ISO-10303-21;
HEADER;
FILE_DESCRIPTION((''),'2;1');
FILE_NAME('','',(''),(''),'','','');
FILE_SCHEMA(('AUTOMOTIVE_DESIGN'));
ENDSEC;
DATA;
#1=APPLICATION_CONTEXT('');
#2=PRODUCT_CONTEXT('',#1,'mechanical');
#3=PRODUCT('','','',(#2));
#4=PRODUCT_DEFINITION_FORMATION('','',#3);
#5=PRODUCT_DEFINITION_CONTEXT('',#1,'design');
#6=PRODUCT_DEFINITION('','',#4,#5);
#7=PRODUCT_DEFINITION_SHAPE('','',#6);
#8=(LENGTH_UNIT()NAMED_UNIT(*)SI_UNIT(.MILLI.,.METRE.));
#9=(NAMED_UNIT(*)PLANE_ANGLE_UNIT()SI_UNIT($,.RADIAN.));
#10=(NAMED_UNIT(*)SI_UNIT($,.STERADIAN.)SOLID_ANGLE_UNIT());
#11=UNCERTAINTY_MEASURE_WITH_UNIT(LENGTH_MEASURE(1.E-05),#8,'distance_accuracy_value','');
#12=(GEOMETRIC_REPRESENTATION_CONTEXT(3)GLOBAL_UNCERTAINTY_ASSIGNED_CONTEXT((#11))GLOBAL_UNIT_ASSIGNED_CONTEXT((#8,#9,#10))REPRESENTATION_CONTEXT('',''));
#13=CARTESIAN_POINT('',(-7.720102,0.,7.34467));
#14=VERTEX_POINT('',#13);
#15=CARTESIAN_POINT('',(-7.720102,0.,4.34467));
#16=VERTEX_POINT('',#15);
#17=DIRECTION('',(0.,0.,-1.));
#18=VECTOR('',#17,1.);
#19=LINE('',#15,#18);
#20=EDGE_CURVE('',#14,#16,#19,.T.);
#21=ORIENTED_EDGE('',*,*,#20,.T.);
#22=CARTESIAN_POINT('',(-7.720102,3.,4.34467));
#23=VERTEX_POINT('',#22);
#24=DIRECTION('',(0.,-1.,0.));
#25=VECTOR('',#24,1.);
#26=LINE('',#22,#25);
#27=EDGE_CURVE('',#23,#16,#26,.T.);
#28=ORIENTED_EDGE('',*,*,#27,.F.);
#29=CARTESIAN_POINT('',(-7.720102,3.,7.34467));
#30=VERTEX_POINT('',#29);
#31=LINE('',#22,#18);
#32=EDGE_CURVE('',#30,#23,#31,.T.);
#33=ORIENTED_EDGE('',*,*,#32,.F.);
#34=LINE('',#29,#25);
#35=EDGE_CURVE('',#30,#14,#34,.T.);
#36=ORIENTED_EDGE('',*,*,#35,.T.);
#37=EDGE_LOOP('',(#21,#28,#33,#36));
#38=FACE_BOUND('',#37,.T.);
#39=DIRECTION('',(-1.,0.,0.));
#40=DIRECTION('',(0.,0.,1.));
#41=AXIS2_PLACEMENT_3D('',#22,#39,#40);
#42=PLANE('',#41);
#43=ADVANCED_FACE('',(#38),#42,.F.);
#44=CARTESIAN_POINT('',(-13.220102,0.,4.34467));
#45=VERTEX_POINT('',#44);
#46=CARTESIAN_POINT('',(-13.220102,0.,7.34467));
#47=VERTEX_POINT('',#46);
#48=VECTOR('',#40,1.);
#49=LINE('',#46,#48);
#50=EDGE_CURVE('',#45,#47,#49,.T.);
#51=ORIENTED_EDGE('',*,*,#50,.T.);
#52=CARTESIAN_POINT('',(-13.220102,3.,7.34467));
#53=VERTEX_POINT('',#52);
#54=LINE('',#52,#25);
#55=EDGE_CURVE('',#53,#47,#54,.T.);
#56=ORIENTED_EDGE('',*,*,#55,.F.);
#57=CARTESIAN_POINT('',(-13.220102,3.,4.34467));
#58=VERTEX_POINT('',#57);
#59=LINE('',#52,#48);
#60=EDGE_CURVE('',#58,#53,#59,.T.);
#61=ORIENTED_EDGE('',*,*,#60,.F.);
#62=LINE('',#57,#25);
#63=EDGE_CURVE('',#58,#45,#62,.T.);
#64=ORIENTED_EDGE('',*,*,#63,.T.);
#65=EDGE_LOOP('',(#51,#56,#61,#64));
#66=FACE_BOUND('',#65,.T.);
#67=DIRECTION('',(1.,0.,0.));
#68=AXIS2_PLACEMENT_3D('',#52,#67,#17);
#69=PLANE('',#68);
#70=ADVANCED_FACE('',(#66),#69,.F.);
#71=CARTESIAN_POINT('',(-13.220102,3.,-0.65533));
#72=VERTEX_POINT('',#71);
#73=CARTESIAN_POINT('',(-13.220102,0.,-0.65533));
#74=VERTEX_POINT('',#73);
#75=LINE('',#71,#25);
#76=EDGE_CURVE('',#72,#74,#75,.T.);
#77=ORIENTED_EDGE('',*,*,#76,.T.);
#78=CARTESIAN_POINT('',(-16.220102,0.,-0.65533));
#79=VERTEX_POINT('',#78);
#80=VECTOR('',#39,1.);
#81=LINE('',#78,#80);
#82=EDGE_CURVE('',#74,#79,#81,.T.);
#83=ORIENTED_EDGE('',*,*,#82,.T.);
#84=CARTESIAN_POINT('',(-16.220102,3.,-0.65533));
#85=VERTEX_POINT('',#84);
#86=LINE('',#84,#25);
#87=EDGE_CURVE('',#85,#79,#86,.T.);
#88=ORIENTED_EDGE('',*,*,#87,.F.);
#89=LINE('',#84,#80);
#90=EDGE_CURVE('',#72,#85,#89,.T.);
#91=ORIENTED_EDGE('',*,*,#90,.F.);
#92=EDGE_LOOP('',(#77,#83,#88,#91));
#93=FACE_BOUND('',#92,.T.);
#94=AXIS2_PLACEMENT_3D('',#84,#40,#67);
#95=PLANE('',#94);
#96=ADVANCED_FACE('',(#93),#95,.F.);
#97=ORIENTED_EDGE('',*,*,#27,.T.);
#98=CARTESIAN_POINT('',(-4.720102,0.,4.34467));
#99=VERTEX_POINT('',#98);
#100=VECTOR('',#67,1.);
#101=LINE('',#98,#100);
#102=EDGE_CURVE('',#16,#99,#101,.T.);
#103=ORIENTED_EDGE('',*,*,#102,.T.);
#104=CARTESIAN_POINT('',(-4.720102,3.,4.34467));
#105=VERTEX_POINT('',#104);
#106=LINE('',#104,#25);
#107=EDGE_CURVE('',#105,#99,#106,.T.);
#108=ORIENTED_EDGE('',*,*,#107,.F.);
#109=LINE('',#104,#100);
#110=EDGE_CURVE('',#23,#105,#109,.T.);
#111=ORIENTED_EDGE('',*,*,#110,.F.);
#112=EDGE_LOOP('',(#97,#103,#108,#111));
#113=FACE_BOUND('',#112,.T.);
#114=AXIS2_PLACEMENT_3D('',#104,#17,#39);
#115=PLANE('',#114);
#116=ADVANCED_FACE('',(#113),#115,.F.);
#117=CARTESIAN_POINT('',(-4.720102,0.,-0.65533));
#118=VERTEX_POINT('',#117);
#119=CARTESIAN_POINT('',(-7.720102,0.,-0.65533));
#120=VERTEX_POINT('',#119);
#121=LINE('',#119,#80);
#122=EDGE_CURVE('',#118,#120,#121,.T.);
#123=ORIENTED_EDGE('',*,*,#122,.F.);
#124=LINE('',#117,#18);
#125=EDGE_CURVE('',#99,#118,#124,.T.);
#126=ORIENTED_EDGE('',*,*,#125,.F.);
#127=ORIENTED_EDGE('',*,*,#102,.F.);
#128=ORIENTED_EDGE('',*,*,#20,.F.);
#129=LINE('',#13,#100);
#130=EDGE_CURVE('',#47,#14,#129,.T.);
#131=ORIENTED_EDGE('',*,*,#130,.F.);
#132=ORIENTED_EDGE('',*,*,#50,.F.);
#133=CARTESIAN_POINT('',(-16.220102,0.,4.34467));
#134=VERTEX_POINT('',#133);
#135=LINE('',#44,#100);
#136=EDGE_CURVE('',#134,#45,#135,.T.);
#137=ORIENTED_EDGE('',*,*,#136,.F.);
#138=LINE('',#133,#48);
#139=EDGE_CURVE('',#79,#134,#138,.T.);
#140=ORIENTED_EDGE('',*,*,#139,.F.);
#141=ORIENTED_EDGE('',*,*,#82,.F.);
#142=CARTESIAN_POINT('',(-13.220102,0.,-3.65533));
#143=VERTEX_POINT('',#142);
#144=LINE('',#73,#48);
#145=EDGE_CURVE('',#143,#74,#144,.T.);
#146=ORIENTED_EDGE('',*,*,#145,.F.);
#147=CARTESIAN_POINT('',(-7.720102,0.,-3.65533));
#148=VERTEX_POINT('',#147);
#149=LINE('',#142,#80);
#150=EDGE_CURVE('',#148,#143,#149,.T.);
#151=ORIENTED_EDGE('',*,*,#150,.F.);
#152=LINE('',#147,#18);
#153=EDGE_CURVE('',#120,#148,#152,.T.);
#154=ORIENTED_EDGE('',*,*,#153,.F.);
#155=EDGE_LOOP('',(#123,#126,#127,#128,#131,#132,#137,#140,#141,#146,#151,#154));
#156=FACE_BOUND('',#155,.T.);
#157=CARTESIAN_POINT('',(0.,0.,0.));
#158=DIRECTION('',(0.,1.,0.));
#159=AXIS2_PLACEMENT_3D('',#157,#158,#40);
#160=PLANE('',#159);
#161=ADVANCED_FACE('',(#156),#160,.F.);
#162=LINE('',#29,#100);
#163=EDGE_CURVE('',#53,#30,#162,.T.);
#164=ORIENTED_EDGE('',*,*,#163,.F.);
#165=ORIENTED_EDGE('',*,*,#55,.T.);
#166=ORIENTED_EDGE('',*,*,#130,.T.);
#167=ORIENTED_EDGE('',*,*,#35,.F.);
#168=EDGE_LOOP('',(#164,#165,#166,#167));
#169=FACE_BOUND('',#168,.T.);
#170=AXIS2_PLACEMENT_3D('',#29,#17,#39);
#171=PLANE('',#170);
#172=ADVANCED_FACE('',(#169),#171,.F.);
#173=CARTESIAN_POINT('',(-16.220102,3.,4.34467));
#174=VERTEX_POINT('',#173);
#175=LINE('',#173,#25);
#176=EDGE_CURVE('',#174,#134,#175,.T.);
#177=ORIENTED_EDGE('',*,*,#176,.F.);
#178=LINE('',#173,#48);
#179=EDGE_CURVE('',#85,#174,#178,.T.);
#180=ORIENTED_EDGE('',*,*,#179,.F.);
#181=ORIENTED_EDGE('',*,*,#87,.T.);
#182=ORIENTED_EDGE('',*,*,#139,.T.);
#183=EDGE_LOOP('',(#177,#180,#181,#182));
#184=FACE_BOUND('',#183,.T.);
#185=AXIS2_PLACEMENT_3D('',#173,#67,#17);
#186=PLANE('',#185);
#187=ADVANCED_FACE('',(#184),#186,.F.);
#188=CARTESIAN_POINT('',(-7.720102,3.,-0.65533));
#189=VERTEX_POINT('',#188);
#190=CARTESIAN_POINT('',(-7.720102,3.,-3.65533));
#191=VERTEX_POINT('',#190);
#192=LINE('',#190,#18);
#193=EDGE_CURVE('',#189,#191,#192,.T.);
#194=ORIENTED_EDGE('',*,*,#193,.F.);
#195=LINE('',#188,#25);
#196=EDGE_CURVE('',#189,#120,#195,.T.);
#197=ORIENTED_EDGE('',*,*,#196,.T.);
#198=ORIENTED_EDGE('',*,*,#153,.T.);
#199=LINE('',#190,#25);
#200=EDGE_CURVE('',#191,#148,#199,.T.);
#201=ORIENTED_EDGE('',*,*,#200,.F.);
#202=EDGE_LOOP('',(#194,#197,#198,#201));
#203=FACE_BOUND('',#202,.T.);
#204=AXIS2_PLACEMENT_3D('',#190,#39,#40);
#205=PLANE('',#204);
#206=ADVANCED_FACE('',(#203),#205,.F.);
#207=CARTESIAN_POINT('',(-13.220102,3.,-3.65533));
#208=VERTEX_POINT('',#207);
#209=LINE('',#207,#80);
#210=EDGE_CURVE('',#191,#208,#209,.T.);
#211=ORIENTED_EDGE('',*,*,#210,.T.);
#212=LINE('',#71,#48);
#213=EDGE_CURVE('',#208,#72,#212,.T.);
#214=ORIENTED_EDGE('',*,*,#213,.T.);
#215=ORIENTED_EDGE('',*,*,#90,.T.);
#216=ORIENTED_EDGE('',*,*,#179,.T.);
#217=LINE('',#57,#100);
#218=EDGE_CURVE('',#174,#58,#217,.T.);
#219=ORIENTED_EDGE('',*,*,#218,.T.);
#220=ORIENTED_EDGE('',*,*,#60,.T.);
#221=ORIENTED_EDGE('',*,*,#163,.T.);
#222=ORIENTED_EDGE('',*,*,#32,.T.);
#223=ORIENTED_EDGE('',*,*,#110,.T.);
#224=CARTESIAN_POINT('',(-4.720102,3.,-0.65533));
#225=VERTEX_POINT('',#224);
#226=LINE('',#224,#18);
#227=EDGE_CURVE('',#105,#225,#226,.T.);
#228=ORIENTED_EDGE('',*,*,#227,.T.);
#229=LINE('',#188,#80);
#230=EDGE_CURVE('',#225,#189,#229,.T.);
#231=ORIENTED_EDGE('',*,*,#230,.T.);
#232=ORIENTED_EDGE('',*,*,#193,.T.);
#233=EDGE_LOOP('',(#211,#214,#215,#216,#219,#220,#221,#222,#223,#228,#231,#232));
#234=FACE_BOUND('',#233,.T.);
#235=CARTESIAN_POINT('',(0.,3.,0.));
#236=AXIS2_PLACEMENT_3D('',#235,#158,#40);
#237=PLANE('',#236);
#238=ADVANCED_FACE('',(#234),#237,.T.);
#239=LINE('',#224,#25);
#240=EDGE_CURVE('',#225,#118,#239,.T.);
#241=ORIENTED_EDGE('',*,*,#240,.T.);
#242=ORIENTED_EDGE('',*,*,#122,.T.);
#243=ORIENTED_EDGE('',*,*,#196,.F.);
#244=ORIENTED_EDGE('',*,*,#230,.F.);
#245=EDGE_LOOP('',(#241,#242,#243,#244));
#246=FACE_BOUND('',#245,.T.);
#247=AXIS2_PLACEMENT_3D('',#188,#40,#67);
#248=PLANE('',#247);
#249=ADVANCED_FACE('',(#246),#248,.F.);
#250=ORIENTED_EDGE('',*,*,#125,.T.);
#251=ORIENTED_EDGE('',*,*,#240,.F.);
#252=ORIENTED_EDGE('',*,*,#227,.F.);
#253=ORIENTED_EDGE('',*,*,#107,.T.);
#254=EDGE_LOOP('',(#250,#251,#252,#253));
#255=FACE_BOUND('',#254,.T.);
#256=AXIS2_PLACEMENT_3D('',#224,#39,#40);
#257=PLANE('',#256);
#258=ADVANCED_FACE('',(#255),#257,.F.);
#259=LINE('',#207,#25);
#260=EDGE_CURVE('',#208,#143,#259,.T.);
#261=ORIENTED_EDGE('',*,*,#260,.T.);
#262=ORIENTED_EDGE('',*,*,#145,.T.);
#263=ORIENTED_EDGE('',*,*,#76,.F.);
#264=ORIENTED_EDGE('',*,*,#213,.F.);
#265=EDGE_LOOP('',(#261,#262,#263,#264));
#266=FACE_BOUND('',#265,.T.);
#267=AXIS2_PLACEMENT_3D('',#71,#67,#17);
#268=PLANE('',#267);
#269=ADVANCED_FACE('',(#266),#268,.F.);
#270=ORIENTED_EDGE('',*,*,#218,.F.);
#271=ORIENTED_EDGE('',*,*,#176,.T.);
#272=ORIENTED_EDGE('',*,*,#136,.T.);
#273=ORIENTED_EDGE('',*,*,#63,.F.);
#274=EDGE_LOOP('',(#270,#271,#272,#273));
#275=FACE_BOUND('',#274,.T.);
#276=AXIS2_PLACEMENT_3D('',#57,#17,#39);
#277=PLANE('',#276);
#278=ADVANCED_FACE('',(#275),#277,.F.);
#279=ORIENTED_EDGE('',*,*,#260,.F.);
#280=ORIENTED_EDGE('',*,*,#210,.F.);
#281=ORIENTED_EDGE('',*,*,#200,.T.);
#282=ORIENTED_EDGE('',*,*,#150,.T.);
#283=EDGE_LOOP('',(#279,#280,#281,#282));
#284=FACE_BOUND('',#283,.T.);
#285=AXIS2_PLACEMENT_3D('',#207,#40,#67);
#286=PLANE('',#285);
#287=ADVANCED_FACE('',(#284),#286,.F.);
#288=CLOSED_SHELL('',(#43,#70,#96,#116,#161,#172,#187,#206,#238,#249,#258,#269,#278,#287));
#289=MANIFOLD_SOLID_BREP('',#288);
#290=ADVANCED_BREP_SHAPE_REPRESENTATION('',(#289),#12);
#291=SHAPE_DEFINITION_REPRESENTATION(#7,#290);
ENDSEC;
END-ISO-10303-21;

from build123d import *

# Parameters (mm, degrees)
BOSS_EXTRUDE1_DEPTH = 3


with BuildPart() as part:
    # Sketch1 → Boss-Extrude1 (new body)
    with BuildSketch(Plane(origin=(0, 0, 0), x_dir=(1, 0, 0), z_dir=(0, 1, 0))):
        Polygon((-16.22010191, -4.344670155), (-16.22010191, 0.655329845), (-13.22010191, 0.655329845), (-13.22010191, 3.655329845), (-7.72010191, 3.655329845), (-7.72010191, 0.655329845), (-4.72010191, 0.655329845), (-4.72010191, -4.344670155), (-7.72010191, -4.344670155), (-7.72010191, -7.344670155), (-13.22010191, -7.344670155), (-13.22010191, -4.344670155), align=None)
    extrude(amount=BOSS_EXTRUDE1_DEPTH)


solid = part.part
